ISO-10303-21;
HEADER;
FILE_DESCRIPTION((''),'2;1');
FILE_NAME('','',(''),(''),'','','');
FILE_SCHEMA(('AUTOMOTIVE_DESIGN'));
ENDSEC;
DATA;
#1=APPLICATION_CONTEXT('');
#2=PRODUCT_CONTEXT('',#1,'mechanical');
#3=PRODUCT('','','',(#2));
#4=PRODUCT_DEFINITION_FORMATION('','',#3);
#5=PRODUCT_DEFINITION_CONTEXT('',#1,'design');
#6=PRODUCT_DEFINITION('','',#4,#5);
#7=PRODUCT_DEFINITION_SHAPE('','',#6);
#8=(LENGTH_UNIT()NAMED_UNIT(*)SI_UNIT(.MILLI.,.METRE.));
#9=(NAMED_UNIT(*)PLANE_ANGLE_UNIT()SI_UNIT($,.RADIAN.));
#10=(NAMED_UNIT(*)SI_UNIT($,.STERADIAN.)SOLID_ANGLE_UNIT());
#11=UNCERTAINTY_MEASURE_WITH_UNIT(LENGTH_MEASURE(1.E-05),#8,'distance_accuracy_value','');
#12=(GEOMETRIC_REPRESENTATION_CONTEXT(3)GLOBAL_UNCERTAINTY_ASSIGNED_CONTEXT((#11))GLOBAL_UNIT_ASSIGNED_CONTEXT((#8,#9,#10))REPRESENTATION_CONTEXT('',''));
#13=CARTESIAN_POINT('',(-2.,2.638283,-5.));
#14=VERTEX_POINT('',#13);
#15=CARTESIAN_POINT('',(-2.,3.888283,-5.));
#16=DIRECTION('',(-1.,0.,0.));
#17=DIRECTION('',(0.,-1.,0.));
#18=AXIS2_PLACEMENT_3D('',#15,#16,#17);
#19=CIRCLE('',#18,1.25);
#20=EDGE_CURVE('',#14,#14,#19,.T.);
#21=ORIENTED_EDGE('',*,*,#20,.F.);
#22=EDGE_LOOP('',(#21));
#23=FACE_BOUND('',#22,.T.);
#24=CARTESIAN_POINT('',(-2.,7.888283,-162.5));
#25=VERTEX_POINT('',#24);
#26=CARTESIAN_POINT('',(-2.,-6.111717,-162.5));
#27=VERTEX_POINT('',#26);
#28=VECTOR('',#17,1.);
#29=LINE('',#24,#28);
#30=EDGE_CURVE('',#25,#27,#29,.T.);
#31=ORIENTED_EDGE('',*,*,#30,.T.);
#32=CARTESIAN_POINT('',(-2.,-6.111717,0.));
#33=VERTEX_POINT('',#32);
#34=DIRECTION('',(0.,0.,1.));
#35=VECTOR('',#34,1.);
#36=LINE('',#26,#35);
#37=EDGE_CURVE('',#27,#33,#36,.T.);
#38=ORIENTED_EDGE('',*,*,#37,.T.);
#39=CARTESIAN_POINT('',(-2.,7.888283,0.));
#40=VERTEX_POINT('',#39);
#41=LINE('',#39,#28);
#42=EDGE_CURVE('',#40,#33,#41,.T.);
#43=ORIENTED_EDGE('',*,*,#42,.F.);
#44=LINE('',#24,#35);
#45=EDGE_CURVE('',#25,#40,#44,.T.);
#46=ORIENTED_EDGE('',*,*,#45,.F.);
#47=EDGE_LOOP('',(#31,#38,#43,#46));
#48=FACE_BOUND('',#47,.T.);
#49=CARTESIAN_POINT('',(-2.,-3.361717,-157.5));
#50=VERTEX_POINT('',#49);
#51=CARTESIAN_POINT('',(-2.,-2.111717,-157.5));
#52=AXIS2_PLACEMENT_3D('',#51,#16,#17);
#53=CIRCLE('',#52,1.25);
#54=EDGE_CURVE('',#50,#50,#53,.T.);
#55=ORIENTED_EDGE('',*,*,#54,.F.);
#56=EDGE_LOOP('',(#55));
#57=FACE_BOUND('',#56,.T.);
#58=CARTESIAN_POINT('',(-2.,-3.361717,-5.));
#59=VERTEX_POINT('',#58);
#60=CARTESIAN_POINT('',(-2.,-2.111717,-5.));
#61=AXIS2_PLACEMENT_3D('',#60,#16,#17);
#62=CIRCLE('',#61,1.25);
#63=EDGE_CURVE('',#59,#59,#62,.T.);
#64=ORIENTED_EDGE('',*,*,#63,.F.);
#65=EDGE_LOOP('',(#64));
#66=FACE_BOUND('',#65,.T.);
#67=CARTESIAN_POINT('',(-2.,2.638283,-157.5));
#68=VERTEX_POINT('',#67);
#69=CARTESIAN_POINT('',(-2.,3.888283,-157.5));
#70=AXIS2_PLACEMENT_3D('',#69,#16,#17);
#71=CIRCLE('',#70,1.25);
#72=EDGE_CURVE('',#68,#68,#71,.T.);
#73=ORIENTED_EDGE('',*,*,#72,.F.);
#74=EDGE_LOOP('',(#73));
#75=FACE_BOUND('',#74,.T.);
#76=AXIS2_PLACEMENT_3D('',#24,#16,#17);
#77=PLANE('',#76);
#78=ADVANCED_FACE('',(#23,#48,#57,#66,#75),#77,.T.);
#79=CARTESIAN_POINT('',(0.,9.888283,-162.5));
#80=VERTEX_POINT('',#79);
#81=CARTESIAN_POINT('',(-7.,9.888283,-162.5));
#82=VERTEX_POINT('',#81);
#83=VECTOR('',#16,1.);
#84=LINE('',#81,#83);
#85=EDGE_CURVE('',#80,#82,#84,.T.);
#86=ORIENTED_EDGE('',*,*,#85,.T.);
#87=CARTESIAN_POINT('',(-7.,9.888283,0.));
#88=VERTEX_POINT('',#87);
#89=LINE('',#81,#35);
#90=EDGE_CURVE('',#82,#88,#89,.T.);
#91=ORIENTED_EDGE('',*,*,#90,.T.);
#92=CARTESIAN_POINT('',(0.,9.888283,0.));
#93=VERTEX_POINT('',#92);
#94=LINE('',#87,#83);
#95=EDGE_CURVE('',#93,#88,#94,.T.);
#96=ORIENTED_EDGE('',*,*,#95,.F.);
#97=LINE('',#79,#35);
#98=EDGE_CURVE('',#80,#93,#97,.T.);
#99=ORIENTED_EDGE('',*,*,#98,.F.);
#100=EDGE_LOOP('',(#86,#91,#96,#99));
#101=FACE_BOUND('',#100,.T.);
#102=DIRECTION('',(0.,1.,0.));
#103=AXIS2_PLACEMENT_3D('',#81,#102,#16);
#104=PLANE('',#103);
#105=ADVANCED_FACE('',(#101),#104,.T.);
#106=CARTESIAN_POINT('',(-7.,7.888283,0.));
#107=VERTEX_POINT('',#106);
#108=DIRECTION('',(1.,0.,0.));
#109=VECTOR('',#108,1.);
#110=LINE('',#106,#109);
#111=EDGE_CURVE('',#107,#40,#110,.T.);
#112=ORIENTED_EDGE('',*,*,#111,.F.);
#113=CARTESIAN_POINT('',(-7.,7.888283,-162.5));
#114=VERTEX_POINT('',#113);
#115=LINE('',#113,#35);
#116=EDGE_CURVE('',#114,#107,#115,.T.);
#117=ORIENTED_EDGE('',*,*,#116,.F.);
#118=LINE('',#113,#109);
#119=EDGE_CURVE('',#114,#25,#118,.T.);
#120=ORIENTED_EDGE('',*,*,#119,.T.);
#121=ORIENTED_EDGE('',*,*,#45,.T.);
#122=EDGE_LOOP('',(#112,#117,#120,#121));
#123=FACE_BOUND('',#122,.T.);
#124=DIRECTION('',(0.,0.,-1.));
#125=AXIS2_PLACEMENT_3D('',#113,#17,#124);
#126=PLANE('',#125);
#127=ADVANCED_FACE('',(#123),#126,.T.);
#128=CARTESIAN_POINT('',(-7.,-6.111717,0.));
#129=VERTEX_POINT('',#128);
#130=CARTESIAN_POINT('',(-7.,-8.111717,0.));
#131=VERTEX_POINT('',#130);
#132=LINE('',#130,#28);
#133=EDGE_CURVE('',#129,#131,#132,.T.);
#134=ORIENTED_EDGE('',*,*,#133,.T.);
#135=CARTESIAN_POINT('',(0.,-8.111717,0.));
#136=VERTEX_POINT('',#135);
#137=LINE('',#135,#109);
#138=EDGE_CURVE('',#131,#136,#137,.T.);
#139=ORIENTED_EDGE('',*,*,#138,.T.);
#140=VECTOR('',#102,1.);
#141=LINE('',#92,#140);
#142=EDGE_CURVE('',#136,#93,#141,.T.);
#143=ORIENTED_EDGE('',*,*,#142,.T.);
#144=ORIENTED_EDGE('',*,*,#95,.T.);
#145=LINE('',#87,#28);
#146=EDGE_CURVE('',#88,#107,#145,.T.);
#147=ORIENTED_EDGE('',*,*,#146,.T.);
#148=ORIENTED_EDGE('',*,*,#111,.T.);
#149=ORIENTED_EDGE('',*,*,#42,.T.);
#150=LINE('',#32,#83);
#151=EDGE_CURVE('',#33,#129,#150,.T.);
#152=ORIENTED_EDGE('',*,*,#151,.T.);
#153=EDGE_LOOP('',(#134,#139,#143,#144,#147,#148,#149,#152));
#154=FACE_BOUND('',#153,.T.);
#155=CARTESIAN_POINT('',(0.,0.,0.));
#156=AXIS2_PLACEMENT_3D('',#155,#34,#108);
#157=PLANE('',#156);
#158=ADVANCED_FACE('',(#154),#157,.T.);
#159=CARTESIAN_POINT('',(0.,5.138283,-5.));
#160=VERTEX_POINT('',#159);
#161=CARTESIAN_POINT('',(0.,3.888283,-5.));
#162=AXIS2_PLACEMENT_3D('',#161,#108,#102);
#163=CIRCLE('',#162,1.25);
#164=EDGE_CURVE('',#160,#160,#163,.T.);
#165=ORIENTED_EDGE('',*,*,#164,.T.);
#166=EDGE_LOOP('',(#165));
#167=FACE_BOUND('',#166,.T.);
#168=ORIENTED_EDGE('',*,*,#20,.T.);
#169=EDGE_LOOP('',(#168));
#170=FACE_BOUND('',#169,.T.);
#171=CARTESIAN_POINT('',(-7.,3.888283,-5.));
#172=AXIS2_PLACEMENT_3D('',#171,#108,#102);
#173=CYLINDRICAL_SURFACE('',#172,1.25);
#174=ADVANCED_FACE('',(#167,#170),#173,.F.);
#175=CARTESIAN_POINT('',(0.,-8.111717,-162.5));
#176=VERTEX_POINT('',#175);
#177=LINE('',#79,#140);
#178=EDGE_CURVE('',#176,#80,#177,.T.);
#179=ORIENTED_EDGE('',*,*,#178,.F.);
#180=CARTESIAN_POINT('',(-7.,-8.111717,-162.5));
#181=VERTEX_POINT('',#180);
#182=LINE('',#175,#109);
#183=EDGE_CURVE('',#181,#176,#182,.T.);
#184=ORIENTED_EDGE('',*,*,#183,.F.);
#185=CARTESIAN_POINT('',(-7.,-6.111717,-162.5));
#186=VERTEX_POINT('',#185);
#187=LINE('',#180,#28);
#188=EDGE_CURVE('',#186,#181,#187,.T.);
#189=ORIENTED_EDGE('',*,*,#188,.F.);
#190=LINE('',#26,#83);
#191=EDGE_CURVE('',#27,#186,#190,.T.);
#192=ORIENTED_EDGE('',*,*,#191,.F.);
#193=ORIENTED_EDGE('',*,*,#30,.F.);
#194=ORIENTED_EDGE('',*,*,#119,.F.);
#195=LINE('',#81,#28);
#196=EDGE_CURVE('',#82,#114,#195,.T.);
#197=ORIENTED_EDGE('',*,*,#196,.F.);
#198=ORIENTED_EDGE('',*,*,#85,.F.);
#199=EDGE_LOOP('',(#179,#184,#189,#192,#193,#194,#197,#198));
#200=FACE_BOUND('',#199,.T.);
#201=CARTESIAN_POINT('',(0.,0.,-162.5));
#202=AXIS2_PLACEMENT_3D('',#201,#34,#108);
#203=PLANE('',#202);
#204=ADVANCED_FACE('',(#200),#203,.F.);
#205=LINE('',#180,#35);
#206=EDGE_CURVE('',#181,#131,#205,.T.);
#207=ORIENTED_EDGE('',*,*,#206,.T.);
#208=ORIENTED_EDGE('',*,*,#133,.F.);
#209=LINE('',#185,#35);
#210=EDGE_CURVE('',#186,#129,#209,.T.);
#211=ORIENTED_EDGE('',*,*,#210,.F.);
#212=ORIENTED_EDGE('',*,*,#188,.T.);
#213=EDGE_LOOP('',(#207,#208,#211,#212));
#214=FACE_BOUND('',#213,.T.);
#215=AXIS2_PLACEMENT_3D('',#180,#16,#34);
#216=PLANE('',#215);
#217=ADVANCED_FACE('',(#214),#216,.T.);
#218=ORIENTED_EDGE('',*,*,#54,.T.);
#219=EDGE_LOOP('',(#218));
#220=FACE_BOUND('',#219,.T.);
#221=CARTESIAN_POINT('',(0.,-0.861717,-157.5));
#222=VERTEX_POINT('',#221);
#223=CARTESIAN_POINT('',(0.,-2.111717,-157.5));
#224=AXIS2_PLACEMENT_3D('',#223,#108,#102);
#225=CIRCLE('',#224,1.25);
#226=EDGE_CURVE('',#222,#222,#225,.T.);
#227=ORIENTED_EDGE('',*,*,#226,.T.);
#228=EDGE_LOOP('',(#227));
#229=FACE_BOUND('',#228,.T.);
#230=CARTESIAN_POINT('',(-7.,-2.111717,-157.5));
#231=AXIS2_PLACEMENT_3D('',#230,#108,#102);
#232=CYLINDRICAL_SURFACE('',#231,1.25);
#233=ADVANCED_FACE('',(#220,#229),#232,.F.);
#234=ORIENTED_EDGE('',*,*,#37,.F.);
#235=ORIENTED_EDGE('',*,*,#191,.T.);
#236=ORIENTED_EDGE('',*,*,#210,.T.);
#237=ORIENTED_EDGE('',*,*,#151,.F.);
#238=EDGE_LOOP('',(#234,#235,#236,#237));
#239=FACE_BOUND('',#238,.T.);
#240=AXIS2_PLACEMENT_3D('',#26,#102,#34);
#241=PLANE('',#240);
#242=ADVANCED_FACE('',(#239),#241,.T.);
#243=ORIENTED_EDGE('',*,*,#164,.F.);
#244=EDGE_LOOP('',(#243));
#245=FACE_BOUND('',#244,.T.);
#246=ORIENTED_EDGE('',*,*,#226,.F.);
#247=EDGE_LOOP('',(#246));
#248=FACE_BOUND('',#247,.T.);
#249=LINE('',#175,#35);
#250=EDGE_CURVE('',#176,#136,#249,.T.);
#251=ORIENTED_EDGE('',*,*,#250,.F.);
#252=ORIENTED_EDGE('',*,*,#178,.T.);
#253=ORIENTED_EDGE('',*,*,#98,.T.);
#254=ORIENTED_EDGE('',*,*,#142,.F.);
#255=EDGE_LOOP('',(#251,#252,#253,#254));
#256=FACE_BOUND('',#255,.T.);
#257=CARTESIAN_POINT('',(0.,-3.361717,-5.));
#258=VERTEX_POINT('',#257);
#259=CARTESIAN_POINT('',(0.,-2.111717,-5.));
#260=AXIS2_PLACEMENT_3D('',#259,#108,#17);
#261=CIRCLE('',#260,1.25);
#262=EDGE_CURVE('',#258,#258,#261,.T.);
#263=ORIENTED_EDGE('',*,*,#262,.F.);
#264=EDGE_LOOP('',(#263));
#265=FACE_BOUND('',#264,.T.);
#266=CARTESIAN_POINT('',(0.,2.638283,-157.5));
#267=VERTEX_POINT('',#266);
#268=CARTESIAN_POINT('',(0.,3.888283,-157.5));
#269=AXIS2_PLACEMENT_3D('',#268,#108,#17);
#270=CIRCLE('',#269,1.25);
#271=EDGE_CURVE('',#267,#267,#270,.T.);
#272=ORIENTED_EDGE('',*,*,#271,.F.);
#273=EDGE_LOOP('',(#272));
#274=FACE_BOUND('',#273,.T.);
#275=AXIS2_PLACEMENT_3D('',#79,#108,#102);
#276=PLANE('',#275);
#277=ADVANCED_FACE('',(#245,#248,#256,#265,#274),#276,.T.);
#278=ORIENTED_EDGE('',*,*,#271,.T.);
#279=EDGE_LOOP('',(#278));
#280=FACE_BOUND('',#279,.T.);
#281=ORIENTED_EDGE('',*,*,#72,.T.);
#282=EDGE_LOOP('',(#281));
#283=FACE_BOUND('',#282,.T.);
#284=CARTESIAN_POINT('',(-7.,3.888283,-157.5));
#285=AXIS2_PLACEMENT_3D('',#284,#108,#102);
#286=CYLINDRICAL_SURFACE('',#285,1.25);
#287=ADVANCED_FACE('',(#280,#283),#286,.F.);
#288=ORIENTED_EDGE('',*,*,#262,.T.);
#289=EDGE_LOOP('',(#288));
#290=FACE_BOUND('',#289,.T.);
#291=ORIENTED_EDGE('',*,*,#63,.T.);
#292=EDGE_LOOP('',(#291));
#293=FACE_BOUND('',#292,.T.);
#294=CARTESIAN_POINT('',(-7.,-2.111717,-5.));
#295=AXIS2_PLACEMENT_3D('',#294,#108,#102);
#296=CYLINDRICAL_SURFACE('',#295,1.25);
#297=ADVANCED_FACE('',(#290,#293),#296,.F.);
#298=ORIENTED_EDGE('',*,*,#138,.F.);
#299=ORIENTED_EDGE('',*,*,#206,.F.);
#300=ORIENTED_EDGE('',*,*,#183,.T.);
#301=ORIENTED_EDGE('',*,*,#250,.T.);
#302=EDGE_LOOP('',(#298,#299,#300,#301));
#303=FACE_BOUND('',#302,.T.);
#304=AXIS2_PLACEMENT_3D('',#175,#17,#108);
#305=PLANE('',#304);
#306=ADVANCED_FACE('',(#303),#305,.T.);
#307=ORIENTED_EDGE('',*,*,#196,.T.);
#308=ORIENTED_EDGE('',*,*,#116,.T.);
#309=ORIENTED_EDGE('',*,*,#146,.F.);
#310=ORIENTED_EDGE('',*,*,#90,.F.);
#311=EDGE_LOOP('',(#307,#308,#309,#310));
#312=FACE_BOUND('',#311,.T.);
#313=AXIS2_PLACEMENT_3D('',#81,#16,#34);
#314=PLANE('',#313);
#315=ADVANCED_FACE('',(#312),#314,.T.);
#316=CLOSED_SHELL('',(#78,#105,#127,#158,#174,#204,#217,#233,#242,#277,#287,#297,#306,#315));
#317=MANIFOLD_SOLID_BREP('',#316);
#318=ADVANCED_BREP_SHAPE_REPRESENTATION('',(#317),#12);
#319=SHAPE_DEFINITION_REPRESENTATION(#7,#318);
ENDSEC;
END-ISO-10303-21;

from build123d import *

# Parameters (mm, degrees)
BOSS_EXTRUDE1_DEPTH = 162.5
SKETCH2_R           = 1.25
CUT_EXTRUDE1_DEPTH  = 8


with BuildPart() as part:
    # Sketch1 → Boss-Extrude1 (new body)
    with BuildSketch(Plane.XY):
        Polygon((-7, 9.888282785), (0, 9.888282785), (0, -8.111717215), (-7, -8.111717215), (-7, -6.111717215), (-2, -6.111717215), (-2, 7.888282785), (-7, 7.888282785), align=None)
    extrude(amount=-BOSS_EXTRUDE1_DEPTH)

    # Sketch2 → Cut-Extrude1 (cut, through all)
    with BuildSketch(Plane(origin=(0, 0, 0), x_dir=(0, 0, -1), z_dir=(1, 0, 0))):
        with Locations((5, 3.888282785)):
            Circle(SKETCH2_R)
        with Locations((5, -2.111717215)):
            Circle(SKETCH2_R)
        with Locations((157.5, -2.111717215)):
            Circle(SKETCH2_R)
        with Locations((157.5, 3.888282785)):
            Circle(SKETCH2_R)
    extrude(amount=-CUT_EXTRUDE1_DEPTH, mode=Mode.SUBTRACT)


solid = part.part
